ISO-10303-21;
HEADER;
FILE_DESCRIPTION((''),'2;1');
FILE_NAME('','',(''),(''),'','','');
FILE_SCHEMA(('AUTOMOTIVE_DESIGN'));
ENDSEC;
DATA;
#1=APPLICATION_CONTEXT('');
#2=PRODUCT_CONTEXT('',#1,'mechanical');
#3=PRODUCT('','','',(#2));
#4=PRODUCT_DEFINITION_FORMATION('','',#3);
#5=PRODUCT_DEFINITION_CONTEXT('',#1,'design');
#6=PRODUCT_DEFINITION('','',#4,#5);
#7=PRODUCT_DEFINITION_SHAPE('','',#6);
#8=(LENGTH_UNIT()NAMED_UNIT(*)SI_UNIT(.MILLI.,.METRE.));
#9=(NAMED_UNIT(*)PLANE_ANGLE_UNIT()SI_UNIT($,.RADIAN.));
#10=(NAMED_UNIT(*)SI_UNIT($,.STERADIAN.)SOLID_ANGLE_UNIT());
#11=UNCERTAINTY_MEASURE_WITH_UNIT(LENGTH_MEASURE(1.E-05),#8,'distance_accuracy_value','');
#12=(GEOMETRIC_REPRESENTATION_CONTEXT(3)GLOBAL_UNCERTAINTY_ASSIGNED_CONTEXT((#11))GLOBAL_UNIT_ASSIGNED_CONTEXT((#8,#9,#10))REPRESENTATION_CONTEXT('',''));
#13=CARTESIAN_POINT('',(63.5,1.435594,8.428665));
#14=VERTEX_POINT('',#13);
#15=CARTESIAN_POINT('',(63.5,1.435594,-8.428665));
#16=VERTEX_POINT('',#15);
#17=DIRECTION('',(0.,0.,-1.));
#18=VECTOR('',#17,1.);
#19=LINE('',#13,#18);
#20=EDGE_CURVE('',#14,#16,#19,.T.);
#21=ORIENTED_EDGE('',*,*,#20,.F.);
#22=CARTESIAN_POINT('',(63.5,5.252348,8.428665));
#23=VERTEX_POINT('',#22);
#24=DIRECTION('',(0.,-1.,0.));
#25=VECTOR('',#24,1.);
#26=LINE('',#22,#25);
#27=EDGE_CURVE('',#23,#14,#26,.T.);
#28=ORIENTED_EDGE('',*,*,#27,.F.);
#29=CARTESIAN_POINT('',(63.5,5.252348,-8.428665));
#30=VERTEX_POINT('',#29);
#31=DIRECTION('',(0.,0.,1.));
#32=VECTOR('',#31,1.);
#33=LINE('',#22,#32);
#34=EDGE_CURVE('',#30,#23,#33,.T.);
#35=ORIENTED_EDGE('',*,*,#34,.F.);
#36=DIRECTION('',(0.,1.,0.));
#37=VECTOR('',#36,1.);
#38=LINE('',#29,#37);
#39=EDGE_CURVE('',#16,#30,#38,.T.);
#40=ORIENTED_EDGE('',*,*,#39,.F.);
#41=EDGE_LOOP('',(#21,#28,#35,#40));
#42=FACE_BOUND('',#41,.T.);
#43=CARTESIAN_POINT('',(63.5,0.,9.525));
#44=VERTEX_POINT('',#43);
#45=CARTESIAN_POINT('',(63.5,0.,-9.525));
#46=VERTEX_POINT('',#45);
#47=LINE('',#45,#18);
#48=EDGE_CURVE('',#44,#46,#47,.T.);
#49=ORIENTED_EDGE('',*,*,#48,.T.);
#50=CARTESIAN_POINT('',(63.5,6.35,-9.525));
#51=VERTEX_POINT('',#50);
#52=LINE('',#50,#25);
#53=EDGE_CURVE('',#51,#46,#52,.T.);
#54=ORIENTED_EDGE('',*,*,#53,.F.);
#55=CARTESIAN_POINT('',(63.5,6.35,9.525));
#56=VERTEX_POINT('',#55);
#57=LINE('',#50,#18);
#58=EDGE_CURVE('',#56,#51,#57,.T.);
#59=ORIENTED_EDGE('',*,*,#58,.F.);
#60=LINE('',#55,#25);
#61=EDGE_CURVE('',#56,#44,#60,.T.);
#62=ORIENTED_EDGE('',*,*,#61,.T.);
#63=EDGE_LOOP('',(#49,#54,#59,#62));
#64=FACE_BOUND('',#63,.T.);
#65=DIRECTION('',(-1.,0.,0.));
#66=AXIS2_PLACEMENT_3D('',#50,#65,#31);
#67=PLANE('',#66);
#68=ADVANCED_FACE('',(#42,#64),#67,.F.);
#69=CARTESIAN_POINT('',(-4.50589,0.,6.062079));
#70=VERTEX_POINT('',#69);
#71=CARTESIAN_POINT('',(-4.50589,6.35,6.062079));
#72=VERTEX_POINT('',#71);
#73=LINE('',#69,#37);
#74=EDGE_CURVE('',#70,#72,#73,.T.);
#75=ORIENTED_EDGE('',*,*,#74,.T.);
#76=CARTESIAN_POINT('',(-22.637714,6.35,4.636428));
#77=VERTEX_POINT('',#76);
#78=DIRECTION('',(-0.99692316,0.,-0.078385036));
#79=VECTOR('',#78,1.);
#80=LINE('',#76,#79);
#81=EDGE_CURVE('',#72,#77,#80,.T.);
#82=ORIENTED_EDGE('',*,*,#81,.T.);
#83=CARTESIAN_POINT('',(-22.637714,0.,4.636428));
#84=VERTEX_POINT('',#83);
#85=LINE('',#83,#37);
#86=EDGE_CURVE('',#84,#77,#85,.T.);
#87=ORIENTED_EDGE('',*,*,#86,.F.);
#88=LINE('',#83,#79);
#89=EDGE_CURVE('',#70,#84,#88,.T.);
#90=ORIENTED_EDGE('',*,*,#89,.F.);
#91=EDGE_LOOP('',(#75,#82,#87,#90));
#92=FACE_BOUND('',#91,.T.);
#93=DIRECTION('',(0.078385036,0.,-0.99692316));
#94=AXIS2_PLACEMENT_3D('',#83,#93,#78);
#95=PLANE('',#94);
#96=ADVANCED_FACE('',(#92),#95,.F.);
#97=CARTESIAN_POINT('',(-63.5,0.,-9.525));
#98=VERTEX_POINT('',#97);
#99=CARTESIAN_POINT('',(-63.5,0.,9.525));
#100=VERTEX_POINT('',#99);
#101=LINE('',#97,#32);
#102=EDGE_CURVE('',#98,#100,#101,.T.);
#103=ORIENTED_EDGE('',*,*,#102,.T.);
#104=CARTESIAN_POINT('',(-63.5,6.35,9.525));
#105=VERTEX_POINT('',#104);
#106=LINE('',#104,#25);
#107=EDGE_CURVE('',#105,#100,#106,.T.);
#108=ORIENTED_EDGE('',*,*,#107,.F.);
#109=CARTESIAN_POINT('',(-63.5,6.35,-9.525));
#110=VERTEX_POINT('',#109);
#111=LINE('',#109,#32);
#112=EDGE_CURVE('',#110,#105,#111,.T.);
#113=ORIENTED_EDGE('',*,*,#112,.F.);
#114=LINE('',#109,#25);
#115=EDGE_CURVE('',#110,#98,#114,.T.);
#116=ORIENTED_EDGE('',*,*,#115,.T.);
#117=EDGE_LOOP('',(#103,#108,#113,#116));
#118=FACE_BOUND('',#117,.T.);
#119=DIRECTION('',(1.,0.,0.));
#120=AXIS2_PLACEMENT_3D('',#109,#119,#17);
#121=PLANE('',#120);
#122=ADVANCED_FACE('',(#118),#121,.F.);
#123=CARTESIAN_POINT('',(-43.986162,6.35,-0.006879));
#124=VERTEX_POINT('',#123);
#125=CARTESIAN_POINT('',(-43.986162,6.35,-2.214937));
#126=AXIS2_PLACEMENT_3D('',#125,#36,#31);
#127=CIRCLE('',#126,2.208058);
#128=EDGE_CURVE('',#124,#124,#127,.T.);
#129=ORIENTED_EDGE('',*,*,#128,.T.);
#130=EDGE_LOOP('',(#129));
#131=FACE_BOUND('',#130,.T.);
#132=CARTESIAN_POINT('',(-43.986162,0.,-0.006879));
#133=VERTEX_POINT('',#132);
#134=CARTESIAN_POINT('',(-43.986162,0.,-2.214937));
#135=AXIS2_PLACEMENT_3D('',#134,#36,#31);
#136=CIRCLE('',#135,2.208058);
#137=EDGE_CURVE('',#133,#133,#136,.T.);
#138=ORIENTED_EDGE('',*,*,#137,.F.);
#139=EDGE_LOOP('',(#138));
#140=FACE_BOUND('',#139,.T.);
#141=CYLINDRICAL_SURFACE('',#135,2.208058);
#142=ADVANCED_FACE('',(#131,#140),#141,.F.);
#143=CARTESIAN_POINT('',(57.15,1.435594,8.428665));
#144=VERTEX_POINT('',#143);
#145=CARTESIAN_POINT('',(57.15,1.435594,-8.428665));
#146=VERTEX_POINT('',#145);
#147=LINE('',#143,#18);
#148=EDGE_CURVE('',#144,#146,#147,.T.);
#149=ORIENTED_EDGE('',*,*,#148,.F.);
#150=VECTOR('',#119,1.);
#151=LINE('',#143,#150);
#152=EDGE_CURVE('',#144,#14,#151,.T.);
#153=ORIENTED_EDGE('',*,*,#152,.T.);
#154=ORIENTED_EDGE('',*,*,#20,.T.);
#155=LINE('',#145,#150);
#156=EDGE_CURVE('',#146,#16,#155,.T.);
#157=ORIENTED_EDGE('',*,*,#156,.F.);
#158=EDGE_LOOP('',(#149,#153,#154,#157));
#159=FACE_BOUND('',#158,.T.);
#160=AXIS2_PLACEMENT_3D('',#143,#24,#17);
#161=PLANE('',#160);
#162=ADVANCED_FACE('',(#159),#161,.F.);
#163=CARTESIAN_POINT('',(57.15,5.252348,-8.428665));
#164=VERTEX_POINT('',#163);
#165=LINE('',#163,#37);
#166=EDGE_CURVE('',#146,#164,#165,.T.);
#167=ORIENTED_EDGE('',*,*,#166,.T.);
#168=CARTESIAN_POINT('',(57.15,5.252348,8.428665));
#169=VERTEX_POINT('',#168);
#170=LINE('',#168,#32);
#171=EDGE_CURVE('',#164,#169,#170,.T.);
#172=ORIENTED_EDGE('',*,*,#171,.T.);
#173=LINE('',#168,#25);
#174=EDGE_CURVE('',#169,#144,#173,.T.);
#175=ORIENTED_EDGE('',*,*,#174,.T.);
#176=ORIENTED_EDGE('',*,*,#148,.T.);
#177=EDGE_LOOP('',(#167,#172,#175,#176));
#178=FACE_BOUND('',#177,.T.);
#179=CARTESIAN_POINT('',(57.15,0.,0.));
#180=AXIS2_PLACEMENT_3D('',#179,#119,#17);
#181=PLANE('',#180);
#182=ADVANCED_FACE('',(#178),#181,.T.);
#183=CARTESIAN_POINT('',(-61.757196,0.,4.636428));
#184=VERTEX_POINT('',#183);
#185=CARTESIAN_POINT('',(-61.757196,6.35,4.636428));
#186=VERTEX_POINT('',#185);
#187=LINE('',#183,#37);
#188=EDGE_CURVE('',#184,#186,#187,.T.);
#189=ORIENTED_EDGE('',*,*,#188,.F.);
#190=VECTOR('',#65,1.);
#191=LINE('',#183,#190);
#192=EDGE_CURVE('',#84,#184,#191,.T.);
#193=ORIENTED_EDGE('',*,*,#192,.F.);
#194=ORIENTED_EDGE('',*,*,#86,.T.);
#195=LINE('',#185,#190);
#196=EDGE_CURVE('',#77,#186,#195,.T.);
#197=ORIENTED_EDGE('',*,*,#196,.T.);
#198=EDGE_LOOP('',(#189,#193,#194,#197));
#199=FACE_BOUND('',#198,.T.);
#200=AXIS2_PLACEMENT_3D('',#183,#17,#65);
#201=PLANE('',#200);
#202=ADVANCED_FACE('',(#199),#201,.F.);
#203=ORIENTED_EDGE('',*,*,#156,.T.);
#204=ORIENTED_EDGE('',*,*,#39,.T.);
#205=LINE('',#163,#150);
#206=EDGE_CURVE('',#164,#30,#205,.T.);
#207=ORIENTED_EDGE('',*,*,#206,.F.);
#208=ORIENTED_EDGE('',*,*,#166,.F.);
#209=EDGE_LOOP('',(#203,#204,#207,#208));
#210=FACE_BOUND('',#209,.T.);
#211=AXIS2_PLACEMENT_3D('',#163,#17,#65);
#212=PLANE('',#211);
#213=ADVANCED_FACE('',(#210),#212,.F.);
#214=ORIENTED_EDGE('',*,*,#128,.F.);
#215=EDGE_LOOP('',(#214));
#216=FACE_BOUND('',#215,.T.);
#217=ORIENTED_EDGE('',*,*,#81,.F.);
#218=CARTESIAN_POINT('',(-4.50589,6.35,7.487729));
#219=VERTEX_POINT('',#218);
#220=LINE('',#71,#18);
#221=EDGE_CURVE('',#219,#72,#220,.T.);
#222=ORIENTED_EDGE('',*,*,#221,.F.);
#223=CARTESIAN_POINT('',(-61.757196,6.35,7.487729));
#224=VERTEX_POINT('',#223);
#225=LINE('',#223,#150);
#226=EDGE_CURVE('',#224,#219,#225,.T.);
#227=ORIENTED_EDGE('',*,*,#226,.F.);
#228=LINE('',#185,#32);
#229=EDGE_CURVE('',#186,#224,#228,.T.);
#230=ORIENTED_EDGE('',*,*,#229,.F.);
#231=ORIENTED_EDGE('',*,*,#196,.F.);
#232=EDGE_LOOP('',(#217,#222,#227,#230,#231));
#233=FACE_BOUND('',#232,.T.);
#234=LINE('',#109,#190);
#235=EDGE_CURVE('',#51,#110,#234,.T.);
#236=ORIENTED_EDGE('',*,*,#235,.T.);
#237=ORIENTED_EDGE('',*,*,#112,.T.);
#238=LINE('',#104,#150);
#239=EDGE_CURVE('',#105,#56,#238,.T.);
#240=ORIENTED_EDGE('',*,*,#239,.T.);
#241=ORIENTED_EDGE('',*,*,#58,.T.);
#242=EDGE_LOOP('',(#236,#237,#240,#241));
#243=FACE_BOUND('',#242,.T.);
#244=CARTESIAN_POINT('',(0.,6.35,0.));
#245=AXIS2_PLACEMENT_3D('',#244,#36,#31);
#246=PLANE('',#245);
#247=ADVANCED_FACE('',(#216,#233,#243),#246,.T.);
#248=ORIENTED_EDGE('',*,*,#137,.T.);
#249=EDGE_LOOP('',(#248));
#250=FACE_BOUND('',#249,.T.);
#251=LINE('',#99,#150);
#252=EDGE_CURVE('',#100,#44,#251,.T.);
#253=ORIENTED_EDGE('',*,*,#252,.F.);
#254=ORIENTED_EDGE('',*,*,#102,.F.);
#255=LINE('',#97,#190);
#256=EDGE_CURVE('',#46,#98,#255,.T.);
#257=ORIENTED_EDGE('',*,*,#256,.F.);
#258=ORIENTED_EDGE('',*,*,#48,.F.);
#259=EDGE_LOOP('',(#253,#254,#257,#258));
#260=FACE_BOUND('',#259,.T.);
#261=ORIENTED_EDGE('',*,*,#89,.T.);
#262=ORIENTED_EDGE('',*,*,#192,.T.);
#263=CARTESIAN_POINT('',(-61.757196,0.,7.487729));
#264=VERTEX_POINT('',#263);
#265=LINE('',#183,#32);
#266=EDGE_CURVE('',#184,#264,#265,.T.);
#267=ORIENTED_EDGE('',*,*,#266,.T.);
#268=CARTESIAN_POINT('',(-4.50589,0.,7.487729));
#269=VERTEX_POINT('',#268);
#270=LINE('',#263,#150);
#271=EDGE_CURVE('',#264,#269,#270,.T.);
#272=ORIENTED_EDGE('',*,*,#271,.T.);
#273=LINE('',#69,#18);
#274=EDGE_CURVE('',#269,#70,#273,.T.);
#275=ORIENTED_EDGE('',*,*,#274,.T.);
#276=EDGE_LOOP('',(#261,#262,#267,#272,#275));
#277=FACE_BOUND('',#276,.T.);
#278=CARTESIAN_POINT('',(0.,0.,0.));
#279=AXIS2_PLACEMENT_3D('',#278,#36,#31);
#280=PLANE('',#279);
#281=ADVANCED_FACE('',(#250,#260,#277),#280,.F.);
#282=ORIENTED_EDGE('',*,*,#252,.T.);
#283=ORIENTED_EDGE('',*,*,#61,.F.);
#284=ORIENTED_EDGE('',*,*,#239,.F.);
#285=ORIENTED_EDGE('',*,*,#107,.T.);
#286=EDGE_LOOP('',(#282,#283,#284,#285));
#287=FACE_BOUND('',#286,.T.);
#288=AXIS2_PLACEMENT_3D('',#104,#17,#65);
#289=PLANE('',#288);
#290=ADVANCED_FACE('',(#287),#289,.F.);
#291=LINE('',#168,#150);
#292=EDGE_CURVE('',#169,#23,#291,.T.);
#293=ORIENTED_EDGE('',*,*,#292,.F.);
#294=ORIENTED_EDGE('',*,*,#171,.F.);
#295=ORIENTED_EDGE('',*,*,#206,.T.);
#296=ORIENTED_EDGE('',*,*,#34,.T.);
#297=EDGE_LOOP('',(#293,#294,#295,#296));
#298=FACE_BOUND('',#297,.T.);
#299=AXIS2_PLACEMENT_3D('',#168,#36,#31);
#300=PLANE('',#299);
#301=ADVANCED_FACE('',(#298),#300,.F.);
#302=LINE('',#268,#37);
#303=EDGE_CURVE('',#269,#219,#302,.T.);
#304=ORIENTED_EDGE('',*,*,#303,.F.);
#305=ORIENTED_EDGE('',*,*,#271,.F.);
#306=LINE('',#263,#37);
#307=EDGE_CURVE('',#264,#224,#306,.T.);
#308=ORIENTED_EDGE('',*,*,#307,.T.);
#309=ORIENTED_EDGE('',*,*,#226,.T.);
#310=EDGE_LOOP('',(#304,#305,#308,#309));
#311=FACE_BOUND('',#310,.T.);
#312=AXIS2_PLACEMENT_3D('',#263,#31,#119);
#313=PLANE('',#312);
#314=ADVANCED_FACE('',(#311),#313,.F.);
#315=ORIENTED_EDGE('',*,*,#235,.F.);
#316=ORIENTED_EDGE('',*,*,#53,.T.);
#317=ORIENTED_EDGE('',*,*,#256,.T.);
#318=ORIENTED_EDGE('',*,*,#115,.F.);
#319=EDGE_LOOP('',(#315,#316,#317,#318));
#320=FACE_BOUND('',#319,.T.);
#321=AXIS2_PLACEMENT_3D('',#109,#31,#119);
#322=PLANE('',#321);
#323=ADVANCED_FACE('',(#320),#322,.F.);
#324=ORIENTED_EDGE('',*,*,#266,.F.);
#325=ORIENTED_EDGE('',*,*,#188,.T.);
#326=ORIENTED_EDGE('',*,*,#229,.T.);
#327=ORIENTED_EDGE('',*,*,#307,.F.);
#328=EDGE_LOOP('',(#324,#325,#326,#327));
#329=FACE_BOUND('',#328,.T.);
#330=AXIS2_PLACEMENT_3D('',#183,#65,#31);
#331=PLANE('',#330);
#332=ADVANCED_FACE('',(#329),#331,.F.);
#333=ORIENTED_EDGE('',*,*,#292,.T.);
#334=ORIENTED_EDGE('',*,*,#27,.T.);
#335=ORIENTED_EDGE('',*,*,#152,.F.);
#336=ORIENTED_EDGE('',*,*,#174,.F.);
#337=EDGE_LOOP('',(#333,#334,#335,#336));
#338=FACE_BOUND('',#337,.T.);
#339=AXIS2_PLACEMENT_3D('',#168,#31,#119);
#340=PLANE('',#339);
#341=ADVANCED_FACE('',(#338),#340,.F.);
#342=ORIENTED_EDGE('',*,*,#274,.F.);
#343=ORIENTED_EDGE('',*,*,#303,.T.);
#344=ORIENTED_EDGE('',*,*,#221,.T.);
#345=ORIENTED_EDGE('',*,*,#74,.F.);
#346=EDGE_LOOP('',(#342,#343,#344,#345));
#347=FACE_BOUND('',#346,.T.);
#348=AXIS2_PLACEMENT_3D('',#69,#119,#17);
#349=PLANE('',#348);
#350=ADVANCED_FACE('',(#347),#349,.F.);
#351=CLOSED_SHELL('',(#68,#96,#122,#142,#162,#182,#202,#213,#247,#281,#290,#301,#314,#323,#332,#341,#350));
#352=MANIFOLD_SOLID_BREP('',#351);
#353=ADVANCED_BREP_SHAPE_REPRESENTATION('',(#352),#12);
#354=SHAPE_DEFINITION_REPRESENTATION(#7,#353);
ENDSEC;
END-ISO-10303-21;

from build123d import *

# Parameters (mm, degrees)
SKETCH2_W           = 127
SKETCH2_H           = 19.05
BOSS_EXTRUDE1_DEPTH = 6.35
SKETCH3_W           = 16.857329018
SKETCH3_H           = 3.81675374
CUT_EXTRUDE1_DEPTH  = 6.35
CUT_EXTRUDE2_DEPTH  = 7.35
SKETCH5_R           = 2.208058356
CUT_EXTRUDE3_DEPTH  = 6.35


with BuildPart() as part:
    # Sketch2 → Boss-Extrude1 (new body)
    with BuildSketch(Plane(origin=(0, 0, 0), x_dir=(1, 0, 0), z_dir=(0, 1, 0))):
        Rectangle(SKETCH2_W, SKETCH2_H)
    extrude(amount=BOSS_EXTRUDE1_DEPTH)

    # Sketch3 → Cut-Extrude1 (cut)
    with BuildSketch(Plane(origin=(63.5, 0, 0), x_dir=(0, 0, -1), z_dir=(1, 0, 0))):
        with Locations((0, 3.343970869)):
            Rectangle(SKETCH3_W, SKETCH3_H)
    extrude(amount=-CUT_EXTRUDE1_DEPTH, mode=Mode.SUBTRACT)

    # Sketch4 → Cut-Extrude2 (cut, through all)
    with BuildSketch(Plane(origin=(0, 6.35, 0), x_dir=(1, 0, 0), z_dir=(0, 1, 0))):
        Polygon((-22.637713534, -4.636428392), (-4.505889832, -6.062078542), (-4.505889832, -7.487728691), (-61.757195928, -7.487728691), (-61.757195928, -4.636428392), align=None)
    extrude(amount=-CUT_EXTRUDE2_DEPTH, mode=Mode.SUBTRACT)

    # Sketch5 → Cut-Extrude3 (cut)
    with BuildSketch(Plane(origin=(0, 6.35, 0), x_dir=(1, 0, 0), z_dir=(0, 1, 0))):
        with Locations((-43.986162308, 2.214937446)):
            Circle(SKETCH5_R)
    extrude(amount=-CUT_EXTRUDE3_DEPTH, mode=Mode.SUBTRACT)


solid = part.part
